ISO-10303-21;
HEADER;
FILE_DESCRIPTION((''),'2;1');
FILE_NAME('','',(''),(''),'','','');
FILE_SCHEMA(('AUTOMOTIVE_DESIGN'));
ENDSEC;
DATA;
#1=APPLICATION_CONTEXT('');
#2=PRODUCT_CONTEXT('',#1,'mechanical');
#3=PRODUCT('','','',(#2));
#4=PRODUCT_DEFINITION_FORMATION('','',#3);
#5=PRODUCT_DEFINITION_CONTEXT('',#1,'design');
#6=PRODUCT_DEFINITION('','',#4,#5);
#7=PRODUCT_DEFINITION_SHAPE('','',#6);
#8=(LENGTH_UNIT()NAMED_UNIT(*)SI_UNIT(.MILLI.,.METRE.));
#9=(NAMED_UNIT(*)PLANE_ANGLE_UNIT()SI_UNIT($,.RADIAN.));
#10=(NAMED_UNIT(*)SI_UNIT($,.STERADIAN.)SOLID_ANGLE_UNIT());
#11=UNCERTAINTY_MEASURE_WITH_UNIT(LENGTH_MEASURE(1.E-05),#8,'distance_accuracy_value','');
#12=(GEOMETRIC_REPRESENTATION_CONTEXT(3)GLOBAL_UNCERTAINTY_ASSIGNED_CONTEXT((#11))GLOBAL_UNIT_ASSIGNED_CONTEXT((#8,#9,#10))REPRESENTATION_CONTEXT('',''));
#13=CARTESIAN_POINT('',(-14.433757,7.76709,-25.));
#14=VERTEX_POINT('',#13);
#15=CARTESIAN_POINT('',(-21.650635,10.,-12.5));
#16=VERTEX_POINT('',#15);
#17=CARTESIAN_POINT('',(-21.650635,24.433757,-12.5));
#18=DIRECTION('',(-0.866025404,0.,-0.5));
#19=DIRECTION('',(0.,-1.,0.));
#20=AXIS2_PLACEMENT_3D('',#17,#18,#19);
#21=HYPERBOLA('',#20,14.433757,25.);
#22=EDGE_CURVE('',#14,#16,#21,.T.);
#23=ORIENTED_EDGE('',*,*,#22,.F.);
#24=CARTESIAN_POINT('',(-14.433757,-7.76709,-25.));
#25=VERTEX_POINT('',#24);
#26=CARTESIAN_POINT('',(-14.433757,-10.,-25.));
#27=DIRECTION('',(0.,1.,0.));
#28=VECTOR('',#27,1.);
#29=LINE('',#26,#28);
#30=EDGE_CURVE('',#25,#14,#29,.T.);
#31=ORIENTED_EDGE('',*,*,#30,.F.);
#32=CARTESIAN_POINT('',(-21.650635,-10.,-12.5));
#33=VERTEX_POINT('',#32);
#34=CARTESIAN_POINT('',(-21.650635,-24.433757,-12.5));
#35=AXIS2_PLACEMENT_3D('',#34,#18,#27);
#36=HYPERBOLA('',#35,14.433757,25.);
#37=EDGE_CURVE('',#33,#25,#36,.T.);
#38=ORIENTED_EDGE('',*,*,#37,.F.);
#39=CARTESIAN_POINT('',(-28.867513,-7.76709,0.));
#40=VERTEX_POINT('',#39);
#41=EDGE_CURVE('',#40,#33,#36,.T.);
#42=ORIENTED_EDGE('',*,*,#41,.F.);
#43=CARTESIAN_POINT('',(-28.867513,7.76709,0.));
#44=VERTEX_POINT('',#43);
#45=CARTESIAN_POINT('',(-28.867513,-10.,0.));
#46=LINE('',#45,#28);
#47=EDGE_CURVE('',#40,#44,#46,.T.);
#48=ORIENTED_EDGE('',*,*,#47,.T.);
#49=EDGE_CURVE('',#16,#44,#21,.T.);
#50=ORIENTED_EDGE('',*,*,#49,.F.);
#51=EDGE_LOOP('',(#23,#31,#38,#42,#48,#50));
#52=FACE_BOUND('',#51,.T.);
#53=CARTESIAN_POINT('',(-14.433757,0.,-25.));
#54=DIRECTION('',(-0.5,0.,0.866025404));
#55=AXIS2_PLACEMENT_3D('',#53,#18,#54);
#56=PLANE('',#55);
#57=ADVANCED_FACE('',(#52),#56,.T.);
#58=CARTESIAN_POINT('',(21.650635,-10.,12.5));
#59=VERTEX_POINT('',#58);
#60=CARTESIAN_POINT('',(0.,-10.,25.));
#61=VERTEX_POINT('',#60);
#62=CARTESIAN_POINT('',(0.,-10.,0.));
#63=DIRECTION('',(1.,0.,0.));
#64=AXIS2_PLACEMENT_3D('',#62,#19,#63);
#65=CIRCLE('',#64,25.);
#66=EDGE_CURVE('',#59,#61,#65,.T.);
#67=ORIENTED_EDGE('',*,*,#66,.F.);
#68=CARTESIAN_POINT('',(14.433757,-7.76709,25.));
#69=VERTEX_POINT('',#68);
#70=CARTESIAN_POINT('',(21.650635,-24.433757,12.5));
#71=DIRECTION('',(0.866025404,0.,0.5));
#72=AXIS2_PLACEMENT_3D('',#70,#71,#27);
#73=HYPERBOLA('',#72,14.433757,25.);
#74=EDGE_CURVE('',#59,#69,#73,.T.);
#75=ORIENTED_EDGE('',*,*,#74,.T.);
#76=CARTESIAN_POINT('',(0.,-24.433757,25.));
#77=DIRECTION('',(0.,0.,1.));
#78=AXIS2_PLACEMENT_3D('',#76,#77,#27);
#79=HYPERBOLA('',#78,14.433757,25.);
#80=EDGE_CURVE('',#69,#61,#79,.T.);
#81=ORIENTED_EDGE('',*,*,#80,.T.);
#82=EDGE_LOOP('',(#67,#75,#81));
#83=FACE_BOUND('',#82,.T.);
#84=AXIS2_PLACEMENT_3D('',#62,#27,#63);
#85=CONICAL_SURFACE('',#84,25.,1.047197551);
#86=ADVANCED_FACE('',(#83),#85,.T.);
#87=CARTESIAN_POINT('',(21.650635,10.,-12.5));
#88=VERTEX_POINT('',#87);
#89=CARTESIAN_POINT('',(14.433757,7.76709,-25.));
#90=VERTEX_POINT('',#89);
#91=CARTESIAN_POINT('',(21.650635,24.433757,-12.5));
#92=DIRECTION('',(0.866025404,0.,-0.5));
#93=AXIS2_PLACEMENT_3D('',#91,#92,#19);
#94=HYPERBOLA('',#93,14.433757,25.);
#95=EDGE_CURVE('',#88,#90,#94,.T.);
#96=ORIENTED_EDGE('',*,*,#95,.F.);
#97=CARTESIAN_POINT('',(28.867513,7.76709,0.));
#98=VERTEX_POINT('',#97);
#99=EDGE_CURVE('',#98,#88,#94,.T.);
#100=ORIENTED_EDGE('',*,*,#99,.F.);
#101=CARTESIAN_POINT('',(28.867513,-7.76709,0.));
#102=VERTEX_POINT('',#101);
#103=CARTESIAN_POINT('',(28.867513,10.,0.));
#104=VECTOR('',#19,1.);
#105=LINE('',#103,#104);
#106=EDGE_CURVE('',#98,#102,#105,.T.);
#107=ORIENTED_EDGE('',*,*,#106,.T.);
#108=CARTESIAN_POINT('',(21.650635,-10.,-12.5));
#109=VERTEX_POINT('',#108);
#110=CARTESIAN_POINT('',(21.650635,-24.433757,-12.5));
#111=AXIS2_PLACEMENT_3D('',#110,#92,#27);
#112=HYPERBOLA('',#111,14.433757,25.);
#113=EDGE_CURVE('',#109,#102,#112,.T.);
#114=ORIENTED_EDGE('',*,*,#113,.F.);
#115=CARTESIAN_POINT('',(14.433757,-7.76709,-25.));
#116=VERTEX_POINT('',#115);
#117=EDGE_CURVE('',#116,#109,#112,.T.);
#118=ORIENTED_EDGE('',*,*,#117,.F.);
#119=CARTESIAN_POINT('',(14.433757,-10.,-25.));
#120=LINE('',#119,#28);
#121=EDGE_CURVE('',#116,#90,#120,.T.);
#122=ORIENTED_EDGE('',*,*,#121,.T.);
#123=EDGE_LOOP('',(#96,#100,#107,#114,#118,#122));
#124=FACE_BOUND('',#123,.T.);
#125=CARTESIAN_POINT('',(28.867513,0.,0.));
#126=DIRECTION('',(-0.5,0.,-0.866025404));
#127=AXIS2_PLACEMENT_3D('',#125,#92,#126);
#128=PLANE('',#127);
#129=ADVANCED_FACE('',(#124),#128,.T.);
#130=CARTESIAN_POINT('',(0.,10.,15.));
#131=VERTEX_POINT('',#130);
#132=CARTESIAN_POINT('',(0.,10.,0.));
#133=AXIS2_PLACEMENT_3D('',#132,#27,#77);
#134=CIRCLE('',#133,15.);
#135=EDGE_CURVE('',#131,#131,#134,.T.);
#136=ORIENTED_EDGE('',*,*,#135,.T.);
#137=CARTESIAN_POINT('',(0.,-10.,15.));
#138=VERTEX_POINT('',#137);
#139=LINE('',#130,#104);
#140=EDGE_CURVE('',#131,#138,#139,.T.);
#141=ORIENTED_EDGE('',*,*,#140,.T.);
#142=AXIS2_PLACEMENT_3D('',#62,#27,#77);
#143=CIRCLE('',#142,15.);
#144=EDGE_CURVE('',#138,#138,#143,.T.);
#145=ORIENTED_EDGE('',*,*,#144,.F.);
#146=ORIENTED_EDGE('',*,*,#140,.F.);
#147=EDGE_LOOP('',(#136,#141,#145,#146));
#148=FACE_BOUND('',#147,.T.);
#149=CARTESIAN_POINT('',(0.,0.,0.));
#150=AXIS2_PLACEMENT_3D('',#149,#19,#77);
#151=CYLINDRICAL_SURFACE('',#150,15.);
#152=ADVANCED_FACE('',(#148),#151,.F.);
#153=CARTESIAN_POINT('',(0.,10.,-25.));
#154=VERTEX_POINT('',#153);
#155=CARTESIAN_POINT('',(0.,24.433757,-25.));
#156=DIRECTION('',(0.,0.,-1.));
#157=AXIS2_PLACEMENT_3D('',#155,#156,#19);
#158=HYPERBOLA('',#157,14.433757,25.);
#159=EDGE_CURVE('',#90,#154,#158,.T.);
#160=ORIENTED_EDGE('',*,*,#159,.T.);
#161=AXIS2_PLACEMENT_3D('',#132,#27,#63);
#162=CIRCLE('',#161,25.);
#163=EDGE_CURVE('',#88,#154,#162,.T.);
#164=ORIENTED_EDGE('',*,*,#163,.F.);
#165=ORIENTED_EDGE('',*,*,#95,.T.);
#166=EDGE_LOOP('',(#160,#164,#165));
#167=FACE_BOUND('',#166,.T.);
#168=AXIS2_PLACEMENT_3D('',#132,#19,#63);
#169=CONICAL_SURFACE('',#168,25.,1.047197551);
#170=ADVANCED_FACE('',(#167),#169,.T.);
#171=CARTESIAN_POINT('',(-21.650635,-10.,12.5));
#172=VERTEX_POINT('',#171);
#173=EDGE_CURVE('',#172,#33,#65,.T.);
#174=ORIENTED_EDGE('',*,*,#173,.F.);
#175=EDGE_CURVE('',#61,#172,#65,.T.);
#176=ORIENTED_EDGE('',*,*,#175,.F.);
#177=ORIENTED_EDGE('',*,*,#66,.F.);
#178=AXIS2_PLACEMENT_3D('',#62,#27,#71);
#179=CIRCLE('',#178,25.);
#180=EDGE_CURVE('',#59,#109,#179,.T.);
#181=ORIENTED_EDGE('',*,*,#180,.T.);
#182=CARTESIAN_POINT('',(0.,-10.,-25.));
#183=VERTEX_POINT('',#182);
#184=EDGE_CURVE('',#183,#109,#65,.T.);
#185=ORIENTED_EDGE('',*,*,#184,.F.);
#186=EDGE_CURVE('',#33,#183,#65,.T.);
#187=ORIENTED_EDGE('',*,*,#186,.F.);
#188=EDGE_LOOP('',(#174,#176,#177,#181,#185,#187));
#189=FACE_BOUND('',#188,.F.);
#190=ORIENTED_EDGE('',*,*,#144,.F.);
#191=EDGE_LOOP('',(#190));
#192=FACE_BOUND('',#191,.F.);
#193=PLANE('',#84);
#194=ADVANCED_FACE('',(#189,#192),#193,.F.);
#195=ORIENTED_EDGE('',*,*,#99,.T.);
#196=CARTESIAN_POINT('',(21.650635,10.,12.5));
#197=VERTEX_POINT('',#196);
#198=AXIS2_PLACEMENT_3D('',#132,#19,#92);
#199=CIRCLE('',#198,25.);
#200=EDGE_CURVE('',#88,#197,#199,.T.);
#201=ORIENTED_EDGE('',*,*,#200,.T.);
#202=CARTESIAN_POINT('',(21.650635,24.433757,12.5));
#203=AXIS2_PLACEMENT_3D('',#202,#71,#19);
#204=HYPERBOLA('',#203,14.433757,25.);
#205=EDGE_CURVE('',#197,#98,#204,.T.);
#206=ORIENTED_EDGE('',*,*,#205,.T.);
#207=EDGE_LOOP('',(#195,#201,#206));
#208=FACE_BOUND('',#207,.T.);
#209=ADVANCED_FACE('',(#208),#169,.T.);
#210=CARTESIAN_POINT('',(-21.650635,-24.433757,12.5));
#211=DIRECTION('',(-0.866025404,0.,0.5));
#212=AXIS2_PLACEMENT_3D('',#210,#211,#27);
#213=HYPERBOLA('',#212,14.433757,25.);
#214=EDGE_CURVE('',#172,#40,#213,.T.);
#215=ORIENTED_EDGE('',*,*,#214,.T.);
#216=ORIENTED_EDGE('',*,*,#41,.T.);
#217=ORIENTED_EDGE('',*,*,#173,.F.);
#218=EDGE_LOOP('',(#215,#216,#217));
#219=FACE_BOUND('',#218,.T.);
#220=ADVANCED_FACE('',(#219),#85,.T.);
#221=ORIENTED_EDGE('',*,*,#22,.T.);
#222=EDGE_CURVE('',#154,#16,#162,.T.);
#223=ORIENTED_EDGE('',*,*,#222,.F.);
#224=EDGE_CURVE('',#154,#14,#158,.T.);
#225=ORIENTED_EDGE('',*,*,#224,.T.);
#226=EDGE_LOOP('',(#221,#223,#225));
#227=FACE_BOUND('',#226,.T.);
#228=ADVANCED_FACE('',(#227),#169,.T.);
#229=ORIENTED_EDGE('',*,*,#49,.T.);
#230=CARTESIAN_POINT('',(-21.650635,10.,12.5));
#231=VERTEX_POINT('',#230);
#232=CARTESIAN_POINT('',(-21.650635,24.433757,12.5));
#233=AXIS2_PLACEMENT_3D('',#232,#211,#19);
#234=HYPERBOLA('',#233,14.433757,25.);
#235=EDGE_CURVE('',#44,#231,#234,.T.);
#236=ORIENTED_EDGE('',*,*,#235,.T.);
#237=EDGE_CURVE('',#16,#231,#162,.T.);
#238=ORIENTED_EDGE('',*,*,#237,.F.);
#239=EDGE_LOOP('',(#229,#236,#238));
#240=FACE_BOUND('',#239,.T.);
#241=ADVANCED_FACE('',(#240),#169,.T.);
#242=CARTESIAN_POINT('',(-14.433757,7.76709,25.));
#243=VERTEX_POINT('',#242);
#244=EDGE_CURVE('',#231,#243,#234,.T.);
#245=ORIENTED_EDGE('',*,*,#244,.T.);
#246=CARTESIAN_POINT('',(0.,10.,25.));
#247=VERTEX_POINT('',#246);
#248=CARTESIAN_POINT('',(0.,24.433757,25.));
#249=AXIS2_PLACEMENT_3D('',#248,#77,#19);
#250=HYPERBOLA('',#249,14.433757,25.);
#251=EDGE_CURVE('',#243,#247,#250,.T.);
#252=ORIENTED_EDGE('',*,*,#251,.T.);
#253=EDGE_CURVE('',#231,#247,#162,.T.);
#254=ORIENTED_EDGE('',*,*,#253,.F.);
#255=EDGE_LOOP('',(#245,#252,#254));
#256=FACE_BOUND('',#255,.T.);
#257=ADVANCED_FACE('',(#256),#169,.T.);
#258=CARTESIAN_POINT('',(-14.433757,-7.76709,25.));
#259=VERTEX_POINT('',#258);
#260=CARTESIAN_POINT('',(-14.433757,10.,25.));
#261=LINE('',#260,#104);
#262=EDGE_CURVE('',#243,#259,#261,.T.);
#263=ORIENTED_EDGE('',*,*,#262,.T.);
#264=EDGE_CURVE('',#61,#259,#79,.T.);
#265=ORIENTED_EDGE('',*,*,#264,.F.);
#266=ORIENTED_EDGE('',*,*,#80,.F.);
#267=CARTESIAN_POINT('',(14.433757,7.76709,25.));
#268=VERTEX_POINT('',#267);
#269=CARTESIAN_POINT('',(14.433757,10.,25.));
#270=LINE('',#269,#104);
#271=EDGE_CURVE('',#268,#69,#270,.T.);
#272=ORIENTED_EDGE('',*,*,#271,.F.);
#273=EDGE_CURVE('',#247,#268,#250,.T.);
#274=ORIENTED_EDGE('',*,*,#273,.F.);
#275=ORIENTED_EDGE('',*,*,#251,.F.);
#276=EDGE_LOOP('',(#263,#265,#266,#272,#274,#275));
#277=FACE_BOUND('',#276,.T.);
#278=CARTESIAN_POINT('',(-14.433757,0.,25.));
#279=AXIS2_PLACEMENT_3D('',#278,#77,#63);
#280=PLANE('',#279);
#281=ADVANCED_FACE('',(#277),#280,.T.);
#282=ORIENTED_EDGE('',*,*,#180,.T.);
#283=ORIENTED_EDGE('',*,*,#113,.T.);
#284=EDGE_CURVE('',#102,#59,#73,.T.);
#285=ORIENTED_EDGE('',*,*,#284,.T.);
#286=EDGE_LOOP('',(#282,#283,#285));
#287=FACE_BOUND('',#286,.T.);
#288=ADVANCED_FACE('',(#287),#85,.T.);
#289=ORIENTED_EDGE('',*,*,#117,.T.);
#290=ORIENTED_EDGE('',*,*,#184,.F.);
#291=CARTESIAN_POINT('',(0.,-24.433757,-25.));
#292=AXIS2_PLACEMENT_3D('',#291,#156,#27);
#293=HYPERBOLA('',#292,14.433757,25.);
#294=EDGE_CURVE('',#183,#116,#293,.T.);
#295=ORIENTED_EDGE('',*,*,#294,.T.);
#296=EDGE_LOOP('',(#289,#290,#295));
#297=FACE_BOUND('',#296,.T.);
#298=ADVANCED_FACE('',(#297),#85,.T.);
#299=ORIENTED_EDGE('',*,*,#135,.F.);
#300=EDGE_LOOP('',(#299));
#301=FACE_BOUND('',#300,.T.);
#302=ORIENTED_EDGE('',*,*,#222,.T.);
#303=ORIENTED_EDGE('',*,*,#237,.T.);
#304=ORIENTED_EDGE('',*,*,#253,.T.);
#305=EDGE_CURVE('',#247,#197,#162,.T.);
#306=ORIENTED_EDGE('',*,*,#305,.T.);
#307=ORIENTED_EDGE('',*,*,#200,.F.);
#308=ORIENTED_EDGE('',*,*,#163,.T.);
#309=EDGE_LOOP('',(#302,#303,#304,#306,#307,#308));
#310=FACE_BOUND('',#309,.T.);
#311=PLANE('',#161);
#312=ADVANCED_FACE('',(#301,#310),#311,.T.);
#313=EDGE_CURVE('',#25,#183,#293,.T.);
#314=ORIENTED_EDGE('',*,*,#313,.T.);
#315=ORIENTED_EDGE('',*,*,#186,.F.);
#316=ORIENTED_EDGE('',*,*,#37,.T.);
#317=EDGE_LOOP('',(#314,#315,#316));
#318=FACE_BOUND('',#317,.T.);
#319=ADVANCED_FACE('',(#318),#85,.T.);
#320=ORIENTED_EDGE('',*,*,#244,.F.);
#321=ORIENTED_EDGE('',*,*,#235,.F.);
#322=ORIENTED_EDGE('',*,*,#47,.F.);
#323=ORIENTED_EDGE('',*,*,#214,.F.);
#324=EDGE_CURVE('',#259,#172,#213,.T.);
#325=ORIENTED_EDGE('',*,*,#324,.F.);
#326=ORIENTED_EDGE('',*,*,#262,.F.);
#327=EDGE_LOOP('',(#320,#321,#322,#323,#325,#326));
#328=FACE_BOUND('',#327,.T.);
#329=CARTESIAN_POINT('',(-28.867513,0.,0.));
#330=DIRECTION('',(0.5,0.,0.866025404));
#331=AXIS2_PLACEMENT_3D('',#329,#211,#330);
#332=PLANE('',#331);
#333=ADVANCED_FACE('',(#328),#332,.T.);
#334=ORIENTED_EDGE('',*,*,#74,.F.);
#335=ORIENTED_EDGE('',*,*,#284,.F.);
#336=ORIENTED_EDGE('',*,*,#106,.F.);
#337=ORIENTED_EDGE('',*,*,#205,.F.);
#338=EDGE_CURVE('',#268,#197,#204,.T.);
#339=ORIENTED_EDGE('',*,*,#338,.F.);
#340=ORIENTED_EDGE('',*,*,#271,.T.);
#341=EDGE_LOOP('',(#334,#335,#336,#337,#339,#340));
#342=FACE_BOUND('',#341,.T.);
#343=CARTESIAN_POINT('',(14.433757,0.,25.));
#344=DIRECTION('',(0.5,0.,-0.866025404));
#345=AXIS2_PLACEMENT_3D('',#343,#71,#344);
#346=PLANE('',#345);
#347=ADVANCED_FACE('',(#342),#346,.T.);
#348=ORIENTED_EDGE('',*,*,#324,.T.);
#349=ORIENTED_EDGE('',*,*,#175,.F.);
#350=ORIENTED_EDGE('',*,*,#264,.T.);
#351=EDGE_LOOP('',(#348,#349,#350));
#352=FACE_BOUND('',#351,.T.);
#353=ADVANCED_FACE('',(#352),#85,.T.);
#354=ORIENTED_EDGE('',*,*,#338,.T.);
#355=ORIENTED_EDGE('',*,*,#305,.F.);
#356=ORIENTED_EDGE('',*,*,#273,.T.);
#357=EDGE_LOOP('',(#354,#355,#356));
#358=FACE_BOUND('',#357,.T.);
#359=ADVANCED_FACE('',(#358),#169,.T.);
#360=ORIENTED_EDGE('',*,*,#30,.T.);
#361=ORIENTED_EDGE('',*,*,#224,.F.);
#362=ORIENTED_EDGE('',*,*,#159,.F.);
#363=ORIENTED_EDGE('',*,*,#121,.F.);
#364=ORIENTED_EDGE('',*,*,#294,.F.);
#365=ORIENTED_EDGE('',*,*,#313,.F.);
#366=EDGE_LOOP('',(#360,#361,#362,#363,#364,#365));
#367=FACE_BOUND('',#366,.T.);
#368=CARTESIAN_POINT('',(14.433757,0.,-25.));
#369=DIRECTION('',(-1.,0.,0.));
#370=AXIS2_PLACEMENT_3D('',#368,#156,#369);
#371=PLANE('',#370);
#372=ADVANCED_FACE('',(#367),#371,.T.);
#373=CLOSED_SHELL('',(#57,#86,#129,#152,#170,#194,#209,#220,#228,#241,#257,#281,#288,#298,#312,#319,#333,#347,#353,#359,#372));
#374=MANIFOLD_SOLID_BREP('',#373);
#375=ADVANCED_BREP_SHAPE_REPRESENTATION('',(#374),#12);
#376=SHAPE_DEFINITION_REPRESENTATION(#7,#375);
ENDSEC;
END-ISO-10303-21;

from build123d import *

# Parameters (mm, degrees)
SKETCH3_R               = 15
BOSS_EXTRUDE1_DEPTH     = 10
SKETCH4_OUTSIDE_W       = 144.808
SKETCH4_OUTSIDE_H       = 137.072
SKETCH4_OUTSIDE_R       = 25
CUT_EXTRUDE1_DEPTH      = 20
CUT_EXTRUDE1_DRAFT      = -60
MIRROR1_COPY_1_SKETCH_W = 144.808
MIRROR1_COPY_1_SKETCH_H = 137.072
MIRROR1_COPY_1_SKETCH_R = 25
MIRROR1_COPY_1_DEPTH    = 20
MIRROR1_COPY_1_DRAFT    = -60


with BuildPart() as part:
    # Sketch3 → Boss-Extrude1 (new, symmetric)
    with BuildSketch(Plane(origin=(0, 0, 0), x_dir=(1, 0, 0), z_dir=(0, 1, 0))):
        Polygon((28.867513459, 0), (14.43375673, 25), (-14.43375673, 25), (-28.867513459, 0), (-14.43375673, -25), (14.43375673, -25), align=None)
        with Locations(Location((0, 0, 0), (0, 0, 270))):
            Circle(SKETCH3_R, mode=Mode.SUBTRACT)
    extrude(amount=BOSS_EXTRUDE1_DEPTH, both=True)


with BuildPart() as cut_extrude1_tool:
    # Sketch4 outside → Cut-Extrude1 (with draft: the straight prism first)
    with BuildSketch(Plane.XZ.offset(10)):
        Rectangle(SKETCH4_OUTSIDE_W, SKETCH4_OUTSIDE_H)
        Circle(SKETCH4_OUTSIDE_R, mode=Mode.SUBTRACT)
    extrude(amount=-CUT_EXTRUDE1_DEPTH)
    # Cut-Extrude1: the draft: its side faces are tilted about the plane it starts from
    cut_extrude1_sides = [cut_extrude1_tool.faces().sort_by_distance(p)[0] for p in [
        (0, 0, -68.536),
        (72.404, 0, 0),
        (0, 0, 68.536),
        (-72.404, 0, 0),
        (-25, 0, 0),
    ]]
    draft(cut_extrude1_sides, Plane.XZ.offset(10), CUT_EXTRUDE1_DRAFT)


with BuildPart() as part_1:
    add(part.part)

    # Cut-Extrude1: cut by cut_extrude1_tool
    add(cut_extrude1_tool.part, mode=Mode.SUBTRACT)


with BuildPart() as mirror1_copy_1_tool:
    # Mirror1 copy 1 sketch → Mirror1 copy 1 (with draft: the straight prism first)
    with BuildSketch(Plane(origin=(0, 10, 0), x_dir=(1, 0, 0), z_dir=(0, 1, 0))):
        Rectangle(MIRROR1_COPY_1_SKETCH_W, MIRROR1_COPY_1_SKETCH_H)
        Circle(MIRROR1_COPY_1_SKETCH_R, mode=Mode.SUBTRACT)
    extrude(amount=-MIRROR1_COPY_1_DEPTH)
    # Mirror1 copy 1: the draft: its side faces are tilted about the plane it starts from
    mirror1_copy_1_sides = [mirror1_copy_1_tool.faces().sort_by_distance(p)[0] for p in [
        (0, 0, -68.536),
        (72.404, 0, 0),
        (0, 0, 68.536),
        (-72.404, 0, 0),
        (-25, 0, 0),
    ]]
    draft(mirror1_copy_1_sides, Plane(origin=(0, 10, 0), x_dir=(1, 0, 0), z_dir=(0, 1, 0)), MIRROR1_COPY_1_DRAFT)


with BuildPart() as part_2:
    add(part_1.part)

    # Mirror1 copy 1: cut by mirror1_copy_1_tool
    add(mirror1_copy_1_tool.part, mode=Mode.SUBTRACT)


solid = part_2.part
